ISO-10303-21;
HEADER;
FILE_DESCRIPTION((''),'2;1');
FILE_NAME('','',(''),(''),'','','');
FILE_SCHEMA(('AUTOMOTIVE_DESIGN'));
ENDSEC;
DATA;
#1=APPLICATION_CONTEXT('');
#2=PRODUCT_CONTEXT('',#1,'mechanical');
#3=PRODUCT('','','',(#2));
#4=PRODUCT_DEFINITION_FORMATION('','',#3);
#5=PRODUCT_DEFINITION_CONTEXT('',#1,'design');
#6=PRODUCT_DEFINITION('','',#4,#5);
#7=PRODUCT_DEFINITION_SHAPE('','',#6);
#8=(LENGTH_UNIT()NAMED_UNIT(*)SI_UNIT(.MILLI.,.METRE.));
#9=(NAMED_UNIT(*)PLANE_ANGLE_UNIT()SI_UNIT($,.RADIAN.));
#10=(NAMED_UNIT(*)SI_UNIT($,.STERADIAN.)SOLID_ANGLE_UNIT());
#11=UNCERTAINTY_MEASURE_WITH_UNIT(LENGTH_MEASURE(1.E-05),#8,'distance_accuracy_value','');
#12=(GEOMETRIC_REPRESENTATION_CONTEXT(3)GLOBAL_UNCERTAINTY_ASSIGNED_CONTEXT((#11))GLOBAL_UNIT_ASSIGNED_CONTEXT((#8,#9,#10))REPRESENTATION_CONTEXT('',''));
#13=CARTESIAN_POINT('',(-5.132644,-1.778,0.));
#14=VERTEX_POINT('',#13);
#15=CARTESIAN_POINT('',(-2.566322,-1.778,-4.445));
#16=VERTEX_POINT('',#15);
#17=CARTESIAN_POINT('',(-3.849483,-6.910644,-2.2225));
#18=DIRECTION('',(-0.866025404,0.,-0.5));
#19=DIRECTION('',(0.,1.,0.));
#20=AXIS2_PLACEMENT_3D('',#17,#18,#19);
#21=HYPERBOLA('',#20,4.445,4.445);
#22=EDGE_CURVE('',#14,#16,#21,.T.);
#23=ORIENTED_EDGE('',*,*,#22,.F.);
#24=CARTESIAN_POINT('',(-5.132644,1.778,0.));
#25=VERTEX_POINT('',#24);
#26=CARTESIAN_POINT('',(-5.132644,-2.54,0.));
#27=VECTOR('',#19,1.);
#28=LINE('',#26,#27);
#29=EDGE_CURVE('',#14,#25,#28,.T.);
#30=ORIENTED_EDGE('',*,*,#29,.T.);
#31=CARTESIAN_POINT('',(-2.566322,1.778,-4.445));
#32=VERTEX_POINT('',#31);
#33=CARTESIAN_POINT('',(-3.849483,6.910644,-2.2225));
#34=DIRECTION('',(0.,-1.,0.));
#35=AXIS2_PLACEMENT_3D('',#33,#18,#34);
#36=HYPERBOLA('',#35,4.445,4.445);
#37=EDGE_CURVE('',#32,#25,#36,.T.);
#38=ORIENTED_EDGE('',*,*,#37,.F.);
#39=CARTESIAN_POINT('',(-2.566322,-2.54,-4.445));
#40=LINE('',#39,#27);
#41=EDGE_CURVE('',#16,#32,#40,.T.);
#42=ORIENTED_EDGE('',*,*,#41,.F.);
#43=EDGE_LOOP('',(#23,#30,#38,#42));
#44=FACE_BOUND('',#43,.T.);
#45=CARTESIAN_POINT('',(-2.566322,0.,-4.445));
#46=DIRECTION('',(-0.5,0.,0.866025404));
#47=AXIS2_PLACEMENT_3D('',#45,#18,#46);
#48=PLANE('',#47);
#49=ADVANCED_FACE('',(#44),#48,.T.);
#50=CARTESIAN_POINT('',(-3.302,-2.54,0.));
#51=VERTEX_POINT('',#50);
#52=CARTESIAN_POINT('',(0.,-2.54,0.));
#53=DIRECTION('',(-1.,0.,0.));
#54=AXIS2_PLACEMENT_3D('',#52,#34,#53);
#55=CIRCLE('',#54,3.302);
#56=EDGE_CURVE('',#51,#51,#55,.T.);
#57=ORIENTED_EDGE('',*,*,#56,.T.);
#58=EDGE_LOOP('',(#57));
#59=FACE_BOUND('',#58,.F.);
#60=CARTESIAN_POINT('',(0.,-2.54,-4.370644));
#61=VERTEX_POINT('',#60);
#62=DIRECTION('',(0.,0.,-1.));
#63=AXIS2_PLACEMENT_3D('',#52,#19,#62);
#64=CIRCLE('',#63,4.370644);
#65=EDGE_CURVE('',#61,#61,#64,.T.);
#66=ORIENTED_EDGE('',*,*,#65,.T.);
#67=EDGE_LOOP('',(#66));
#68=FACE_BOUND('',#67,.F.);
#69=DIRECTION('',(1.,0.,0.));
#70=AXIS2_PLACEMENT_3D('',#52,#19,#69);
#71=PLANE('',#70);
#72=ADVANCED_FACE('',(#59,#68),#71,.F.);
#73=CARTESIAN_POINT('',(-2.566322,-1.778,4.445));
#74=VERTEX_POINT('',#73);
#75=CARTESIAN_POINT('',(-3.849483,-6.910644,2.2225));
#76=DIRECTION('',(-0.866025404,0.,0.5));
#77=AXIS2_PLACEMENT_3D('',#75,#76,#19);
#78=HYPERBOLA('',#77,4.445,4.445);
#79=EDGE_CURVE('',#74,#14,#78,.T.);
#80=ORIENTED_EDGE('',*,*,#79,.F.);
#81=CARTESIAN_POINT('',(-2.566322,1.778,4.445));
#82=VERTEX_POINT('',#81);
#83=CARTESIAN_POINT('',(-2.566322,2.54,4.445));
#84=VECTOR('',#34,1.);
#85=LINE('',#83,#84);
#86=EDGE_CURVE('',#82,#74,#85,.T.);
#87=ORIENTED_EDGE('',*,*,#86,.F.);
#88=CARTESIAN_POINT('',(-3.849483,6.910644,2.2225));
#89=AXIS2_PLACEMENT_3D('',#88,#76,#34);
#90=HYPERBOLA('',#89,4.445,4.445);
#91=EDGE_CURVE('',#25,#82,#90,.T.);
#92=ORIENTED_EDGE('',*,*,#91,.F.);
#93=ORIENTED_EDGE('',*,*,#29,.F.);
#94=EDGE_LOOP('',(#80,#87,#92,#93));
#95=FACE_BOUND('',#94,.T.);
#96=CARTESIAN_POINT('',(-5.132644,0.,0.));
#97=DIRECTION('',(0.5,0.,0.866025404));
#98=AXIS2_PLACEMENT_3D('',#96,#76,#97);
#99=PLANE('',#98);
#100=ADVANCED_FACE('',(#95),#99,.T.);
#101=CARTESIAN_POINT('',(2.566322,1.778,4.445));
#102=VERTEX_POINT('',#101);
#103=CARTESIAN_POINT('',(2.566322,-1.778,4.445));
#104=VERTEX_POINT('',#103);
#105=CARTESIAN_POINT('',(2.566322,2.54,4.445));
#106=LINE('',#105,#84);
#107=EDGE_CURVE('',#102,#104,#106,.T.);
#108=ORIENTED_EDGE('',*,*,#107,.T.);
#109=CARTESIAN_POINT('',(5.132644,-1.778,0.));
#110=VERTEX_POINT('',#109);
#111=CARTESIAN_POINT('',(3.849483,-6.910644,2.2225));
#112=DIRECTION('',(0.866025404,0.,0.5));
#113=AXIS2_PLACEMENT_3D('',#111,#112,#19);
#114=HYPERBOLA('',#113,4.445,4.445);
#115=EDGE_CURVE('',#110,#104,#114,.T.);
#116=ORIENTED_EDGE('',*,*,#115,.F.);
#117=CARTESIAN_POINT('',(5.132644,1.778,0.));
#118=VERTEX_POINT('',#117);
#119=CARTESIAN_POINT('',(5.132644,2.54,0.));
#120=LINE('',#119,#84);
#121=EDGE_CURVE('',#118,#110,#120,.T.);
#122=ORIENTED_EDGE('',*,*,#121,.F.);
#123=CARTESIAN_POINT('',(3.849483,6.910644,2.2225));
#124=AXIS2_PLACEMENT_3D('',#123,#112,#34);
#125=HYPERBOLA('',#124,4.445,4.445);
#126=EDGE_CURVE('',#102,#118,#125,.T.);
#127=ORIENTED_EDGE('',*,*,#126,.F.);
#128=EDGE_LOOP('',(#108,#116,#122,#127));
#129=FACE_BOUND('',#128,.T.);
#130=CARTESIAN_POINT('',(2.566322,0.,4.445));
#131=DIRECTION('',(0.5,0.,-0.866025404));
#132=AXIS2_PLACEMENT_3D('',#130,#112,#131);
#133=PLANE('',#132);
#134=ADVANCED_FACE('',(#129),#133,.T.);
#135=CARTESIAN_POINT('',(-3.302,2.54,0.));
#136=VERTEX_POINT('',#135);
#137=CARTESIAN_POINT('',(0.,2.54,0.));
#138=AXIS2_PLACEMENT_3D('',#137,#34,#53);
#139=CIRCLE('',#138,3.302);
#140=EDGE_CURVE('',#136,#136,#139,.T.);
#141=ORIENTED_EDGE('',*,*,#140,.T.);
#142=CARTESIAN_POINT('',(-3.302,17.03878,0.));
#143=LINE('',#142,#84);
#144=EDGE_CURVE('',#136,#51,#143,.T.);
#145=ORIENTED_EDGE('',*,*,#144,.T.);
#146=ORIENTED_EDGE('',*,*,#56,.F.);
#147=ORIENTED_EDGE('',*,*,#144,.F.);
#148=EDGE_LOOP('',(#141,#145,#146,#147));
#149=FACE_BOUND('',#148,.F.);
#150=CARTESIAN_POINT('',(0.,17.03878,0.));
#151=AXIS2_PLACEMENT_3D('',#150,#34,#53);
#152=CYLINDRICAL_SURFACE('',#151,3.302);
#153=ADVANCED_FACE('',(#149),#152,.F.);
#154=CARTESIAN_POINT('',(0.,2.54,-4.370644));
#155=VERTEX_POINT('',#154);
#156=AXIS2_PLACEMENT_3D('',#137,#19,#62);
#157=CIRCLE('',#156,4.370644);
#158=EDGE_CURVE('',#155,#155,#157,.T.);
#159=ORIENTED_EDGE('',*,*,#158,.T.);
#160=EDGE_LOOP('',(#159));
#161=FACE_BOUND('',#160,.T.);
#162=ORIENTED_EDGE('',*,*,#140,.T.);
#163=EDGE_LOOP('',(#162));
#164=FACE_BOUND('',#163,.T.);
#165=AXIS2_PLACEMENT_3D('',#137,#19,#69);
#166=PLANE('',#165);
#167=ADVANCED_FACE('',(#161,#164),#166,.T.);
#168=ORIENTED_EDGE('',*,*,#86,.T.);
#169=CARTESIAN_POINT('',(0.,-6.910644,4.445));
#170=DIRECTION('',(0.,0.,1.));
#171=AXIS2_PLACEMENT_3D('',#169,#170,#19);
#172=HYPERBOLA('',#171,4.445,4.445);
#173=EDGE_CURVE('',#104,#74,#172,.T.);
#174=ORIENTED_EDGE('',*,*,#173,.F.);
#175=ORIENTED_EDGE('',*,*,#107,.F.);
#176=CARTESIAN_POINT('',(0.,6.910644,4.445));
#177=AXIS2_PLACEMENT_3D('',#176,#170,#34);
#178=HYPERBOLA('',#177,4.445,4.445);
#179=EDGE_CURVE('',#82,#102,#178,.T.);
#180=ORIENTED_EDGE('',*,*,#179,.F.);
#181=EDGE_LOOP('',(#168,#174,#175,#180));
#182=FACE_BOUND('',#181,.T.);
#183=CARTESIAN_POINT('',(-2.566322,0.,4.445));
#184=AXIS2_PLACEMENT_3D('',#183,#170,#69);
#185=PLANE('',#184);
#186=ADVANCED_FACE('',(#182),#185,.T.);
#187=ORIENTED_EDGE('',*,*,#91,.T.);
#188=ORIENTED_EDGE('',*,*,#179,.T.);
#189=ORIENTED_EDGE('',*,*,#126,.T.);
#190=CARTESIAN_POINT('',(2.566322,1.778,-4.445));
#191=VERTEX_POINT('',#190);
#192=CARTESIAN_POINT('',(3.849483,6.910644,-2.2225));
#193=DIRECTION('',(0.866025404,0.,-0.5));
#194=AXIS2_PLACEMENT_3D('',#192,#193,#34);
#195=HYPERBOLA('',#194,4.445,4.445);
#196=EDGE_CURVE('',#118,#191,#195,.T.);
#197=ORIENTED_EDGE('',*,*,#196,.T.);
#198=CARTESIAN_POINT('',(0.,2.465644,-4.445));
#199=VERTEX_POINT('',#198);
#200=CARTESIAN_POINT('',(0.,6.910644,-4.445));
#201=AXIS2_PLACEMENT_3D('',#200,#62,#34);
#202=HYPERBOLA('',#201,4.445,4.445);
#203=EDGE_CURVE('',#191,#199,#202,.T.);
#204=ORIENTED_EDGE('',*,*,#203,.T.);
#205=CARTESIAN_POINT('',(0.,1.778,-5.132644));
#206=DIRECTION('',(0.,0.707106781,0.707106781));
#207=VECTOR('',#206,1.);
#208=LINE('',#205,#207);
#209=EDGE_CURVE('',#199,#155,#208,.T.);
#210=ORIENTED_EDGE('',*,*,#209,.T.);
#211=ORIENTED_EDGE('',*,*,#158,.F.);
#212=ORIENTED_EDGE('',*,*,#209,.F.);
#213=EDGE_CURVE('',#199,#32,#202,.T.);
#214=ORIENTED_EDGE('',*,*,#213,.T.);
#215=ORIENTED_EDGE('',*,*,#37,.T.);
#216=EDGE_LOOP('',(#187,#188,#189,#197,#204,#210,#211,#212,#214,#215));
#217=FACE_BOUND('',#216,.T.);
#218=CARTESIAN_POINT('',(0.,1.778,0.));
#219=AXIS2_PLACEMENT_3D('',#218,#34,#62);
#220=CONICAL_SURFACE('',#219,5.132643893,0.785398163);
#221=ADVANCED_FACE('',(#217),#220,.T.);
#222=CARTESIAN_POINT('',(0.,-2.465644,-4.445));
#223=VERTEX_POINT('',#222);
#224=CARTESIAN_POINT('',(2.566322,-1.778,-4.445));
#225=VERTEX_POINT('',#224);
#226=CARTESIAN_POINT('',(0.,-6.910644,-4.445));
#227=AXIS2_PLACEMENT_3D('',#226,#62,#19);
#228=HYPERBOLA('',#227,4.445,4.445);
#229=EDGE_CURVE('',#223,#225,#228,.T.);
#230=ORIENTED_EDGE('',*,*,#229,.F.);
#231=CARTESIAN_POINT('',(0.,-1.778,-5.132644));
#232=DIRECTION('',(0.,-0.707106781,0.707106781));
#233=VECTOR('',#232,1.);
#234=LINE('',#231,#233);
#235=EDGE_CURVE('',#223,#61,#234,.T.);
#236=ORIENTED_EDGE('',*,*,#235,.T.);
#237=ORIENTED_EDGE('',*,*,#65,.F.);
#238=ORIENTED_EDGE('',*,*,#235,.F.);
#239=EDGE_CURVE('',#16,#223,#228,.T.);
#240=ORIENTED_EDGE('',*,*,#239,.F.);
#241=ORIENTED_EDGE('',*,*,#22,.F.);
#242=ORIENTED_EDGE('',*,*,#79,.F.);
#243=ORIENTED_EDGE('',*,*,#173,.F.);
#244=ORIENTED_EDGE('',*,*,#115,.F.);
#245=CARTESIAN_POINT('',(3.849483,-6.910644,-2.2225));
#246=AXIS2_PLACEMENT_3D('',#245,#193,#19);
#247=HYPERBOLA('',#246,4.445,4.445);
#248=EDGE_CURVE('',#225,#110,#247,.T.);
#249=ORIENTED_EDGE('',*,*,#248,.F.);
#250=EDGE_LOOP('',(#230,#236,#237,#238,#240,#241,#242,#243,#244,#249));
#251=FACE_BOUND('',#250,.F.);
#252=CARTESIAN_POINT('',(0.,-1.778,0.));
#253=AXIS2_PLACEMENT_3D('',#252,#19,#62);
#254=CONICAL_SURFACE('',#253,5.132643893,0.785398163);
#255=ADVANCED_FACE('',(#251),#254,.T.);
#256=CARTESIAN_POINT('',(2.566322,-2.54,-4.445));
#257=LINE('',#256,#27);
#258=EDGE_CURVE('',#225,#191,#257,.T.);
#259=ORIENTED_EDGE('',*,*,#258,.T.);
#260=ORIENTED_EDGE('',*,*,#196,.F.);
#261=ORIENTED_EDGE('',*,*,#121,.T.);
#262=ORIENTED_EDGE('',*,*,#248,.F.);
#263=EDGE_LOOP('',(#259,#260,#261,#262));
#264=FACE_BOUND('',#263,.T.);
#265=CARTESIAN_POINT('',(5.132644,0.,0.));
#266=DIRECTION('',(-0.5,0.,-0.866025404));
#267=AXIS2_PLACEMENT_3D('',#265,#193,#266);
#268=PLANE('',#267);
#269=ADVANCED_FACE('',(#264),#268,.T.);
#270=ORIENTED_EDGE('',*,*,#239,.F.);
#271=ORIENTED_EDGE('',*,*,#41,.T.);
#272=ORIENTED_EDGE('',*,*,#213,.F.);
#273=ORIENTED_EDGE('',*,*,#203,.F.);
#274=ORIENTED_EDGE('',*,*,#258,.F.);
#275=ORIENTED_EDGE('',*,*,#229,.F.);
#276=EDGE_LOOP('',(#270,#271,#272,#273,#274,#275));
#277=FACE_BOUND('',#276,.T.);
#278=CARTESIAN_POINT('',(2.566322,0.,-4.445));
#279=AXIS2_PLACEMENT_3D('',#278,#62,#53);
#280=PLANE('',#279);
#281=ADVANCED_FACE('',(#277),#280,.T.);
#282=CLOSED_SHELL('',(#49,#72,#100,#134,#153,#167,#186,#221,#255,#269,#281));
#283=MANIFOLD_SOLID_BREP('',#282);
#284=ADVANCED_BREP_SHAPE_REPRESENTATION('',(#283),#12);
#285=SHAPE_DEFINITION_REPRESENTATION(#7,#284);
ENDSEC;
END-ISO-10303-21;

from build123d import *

# Parameters (mm, degrees)
BOSS_EXTRUDE1_DEPTH = 2.54
HOLE1_D             = 6.604


with BuildPart() as part:
    # Sketch2 → Boss-Extrude1 (new, symmetric)
    with BuildSketch(Plane(origin=(0, 0, 0), x_dir=(1, 0, 0), z_dir=(0, 1, 0))):
        Polygon((5.132643893, 0), (2.566321947, 4.445), (-2.566321947, 4.445), (-5.132643893, 0), (-2.566321947, -4.445), (2.566321947, -4.445), align=None)
    extrude(amount=BOSS_EXTRUDE1_DEPTH, both=True)

    # Sketch3 → Cut-Revolve1 (revolve, cut)
    with BuildSketch(Plane.XY, mode=Mode.PRIVATE) as cut_revolve1_sk:
        Polygon((4.370643893, 2.54), (5.132643893, 2.54), (5.132643893, 1.778), align=None)
    cut_revolve1 = revolve(cut_revolve1_sk.sketch.rotate(Axis((0, 0, 0), (0, 1, 0)), 90), axis=Axis((0, 0, 0), (0, 1, 0)), mode=Mode.SUBTRACT)

    # Hole1 (through all)
    with Locations(Plane(origin=(0, 2.54, 0), x_dir=(1, 0, 0), z_dir=(0, 1, 0))):
        with Locations((0, 0)):
            Hole(HOLE1_D / 2)

    # Mirror1: Cut-Revolve1 across plane
    add(cut_revolve1.mirror(Plane.ZX), mode=Mode.SUBTRACT)


solid = part.part
